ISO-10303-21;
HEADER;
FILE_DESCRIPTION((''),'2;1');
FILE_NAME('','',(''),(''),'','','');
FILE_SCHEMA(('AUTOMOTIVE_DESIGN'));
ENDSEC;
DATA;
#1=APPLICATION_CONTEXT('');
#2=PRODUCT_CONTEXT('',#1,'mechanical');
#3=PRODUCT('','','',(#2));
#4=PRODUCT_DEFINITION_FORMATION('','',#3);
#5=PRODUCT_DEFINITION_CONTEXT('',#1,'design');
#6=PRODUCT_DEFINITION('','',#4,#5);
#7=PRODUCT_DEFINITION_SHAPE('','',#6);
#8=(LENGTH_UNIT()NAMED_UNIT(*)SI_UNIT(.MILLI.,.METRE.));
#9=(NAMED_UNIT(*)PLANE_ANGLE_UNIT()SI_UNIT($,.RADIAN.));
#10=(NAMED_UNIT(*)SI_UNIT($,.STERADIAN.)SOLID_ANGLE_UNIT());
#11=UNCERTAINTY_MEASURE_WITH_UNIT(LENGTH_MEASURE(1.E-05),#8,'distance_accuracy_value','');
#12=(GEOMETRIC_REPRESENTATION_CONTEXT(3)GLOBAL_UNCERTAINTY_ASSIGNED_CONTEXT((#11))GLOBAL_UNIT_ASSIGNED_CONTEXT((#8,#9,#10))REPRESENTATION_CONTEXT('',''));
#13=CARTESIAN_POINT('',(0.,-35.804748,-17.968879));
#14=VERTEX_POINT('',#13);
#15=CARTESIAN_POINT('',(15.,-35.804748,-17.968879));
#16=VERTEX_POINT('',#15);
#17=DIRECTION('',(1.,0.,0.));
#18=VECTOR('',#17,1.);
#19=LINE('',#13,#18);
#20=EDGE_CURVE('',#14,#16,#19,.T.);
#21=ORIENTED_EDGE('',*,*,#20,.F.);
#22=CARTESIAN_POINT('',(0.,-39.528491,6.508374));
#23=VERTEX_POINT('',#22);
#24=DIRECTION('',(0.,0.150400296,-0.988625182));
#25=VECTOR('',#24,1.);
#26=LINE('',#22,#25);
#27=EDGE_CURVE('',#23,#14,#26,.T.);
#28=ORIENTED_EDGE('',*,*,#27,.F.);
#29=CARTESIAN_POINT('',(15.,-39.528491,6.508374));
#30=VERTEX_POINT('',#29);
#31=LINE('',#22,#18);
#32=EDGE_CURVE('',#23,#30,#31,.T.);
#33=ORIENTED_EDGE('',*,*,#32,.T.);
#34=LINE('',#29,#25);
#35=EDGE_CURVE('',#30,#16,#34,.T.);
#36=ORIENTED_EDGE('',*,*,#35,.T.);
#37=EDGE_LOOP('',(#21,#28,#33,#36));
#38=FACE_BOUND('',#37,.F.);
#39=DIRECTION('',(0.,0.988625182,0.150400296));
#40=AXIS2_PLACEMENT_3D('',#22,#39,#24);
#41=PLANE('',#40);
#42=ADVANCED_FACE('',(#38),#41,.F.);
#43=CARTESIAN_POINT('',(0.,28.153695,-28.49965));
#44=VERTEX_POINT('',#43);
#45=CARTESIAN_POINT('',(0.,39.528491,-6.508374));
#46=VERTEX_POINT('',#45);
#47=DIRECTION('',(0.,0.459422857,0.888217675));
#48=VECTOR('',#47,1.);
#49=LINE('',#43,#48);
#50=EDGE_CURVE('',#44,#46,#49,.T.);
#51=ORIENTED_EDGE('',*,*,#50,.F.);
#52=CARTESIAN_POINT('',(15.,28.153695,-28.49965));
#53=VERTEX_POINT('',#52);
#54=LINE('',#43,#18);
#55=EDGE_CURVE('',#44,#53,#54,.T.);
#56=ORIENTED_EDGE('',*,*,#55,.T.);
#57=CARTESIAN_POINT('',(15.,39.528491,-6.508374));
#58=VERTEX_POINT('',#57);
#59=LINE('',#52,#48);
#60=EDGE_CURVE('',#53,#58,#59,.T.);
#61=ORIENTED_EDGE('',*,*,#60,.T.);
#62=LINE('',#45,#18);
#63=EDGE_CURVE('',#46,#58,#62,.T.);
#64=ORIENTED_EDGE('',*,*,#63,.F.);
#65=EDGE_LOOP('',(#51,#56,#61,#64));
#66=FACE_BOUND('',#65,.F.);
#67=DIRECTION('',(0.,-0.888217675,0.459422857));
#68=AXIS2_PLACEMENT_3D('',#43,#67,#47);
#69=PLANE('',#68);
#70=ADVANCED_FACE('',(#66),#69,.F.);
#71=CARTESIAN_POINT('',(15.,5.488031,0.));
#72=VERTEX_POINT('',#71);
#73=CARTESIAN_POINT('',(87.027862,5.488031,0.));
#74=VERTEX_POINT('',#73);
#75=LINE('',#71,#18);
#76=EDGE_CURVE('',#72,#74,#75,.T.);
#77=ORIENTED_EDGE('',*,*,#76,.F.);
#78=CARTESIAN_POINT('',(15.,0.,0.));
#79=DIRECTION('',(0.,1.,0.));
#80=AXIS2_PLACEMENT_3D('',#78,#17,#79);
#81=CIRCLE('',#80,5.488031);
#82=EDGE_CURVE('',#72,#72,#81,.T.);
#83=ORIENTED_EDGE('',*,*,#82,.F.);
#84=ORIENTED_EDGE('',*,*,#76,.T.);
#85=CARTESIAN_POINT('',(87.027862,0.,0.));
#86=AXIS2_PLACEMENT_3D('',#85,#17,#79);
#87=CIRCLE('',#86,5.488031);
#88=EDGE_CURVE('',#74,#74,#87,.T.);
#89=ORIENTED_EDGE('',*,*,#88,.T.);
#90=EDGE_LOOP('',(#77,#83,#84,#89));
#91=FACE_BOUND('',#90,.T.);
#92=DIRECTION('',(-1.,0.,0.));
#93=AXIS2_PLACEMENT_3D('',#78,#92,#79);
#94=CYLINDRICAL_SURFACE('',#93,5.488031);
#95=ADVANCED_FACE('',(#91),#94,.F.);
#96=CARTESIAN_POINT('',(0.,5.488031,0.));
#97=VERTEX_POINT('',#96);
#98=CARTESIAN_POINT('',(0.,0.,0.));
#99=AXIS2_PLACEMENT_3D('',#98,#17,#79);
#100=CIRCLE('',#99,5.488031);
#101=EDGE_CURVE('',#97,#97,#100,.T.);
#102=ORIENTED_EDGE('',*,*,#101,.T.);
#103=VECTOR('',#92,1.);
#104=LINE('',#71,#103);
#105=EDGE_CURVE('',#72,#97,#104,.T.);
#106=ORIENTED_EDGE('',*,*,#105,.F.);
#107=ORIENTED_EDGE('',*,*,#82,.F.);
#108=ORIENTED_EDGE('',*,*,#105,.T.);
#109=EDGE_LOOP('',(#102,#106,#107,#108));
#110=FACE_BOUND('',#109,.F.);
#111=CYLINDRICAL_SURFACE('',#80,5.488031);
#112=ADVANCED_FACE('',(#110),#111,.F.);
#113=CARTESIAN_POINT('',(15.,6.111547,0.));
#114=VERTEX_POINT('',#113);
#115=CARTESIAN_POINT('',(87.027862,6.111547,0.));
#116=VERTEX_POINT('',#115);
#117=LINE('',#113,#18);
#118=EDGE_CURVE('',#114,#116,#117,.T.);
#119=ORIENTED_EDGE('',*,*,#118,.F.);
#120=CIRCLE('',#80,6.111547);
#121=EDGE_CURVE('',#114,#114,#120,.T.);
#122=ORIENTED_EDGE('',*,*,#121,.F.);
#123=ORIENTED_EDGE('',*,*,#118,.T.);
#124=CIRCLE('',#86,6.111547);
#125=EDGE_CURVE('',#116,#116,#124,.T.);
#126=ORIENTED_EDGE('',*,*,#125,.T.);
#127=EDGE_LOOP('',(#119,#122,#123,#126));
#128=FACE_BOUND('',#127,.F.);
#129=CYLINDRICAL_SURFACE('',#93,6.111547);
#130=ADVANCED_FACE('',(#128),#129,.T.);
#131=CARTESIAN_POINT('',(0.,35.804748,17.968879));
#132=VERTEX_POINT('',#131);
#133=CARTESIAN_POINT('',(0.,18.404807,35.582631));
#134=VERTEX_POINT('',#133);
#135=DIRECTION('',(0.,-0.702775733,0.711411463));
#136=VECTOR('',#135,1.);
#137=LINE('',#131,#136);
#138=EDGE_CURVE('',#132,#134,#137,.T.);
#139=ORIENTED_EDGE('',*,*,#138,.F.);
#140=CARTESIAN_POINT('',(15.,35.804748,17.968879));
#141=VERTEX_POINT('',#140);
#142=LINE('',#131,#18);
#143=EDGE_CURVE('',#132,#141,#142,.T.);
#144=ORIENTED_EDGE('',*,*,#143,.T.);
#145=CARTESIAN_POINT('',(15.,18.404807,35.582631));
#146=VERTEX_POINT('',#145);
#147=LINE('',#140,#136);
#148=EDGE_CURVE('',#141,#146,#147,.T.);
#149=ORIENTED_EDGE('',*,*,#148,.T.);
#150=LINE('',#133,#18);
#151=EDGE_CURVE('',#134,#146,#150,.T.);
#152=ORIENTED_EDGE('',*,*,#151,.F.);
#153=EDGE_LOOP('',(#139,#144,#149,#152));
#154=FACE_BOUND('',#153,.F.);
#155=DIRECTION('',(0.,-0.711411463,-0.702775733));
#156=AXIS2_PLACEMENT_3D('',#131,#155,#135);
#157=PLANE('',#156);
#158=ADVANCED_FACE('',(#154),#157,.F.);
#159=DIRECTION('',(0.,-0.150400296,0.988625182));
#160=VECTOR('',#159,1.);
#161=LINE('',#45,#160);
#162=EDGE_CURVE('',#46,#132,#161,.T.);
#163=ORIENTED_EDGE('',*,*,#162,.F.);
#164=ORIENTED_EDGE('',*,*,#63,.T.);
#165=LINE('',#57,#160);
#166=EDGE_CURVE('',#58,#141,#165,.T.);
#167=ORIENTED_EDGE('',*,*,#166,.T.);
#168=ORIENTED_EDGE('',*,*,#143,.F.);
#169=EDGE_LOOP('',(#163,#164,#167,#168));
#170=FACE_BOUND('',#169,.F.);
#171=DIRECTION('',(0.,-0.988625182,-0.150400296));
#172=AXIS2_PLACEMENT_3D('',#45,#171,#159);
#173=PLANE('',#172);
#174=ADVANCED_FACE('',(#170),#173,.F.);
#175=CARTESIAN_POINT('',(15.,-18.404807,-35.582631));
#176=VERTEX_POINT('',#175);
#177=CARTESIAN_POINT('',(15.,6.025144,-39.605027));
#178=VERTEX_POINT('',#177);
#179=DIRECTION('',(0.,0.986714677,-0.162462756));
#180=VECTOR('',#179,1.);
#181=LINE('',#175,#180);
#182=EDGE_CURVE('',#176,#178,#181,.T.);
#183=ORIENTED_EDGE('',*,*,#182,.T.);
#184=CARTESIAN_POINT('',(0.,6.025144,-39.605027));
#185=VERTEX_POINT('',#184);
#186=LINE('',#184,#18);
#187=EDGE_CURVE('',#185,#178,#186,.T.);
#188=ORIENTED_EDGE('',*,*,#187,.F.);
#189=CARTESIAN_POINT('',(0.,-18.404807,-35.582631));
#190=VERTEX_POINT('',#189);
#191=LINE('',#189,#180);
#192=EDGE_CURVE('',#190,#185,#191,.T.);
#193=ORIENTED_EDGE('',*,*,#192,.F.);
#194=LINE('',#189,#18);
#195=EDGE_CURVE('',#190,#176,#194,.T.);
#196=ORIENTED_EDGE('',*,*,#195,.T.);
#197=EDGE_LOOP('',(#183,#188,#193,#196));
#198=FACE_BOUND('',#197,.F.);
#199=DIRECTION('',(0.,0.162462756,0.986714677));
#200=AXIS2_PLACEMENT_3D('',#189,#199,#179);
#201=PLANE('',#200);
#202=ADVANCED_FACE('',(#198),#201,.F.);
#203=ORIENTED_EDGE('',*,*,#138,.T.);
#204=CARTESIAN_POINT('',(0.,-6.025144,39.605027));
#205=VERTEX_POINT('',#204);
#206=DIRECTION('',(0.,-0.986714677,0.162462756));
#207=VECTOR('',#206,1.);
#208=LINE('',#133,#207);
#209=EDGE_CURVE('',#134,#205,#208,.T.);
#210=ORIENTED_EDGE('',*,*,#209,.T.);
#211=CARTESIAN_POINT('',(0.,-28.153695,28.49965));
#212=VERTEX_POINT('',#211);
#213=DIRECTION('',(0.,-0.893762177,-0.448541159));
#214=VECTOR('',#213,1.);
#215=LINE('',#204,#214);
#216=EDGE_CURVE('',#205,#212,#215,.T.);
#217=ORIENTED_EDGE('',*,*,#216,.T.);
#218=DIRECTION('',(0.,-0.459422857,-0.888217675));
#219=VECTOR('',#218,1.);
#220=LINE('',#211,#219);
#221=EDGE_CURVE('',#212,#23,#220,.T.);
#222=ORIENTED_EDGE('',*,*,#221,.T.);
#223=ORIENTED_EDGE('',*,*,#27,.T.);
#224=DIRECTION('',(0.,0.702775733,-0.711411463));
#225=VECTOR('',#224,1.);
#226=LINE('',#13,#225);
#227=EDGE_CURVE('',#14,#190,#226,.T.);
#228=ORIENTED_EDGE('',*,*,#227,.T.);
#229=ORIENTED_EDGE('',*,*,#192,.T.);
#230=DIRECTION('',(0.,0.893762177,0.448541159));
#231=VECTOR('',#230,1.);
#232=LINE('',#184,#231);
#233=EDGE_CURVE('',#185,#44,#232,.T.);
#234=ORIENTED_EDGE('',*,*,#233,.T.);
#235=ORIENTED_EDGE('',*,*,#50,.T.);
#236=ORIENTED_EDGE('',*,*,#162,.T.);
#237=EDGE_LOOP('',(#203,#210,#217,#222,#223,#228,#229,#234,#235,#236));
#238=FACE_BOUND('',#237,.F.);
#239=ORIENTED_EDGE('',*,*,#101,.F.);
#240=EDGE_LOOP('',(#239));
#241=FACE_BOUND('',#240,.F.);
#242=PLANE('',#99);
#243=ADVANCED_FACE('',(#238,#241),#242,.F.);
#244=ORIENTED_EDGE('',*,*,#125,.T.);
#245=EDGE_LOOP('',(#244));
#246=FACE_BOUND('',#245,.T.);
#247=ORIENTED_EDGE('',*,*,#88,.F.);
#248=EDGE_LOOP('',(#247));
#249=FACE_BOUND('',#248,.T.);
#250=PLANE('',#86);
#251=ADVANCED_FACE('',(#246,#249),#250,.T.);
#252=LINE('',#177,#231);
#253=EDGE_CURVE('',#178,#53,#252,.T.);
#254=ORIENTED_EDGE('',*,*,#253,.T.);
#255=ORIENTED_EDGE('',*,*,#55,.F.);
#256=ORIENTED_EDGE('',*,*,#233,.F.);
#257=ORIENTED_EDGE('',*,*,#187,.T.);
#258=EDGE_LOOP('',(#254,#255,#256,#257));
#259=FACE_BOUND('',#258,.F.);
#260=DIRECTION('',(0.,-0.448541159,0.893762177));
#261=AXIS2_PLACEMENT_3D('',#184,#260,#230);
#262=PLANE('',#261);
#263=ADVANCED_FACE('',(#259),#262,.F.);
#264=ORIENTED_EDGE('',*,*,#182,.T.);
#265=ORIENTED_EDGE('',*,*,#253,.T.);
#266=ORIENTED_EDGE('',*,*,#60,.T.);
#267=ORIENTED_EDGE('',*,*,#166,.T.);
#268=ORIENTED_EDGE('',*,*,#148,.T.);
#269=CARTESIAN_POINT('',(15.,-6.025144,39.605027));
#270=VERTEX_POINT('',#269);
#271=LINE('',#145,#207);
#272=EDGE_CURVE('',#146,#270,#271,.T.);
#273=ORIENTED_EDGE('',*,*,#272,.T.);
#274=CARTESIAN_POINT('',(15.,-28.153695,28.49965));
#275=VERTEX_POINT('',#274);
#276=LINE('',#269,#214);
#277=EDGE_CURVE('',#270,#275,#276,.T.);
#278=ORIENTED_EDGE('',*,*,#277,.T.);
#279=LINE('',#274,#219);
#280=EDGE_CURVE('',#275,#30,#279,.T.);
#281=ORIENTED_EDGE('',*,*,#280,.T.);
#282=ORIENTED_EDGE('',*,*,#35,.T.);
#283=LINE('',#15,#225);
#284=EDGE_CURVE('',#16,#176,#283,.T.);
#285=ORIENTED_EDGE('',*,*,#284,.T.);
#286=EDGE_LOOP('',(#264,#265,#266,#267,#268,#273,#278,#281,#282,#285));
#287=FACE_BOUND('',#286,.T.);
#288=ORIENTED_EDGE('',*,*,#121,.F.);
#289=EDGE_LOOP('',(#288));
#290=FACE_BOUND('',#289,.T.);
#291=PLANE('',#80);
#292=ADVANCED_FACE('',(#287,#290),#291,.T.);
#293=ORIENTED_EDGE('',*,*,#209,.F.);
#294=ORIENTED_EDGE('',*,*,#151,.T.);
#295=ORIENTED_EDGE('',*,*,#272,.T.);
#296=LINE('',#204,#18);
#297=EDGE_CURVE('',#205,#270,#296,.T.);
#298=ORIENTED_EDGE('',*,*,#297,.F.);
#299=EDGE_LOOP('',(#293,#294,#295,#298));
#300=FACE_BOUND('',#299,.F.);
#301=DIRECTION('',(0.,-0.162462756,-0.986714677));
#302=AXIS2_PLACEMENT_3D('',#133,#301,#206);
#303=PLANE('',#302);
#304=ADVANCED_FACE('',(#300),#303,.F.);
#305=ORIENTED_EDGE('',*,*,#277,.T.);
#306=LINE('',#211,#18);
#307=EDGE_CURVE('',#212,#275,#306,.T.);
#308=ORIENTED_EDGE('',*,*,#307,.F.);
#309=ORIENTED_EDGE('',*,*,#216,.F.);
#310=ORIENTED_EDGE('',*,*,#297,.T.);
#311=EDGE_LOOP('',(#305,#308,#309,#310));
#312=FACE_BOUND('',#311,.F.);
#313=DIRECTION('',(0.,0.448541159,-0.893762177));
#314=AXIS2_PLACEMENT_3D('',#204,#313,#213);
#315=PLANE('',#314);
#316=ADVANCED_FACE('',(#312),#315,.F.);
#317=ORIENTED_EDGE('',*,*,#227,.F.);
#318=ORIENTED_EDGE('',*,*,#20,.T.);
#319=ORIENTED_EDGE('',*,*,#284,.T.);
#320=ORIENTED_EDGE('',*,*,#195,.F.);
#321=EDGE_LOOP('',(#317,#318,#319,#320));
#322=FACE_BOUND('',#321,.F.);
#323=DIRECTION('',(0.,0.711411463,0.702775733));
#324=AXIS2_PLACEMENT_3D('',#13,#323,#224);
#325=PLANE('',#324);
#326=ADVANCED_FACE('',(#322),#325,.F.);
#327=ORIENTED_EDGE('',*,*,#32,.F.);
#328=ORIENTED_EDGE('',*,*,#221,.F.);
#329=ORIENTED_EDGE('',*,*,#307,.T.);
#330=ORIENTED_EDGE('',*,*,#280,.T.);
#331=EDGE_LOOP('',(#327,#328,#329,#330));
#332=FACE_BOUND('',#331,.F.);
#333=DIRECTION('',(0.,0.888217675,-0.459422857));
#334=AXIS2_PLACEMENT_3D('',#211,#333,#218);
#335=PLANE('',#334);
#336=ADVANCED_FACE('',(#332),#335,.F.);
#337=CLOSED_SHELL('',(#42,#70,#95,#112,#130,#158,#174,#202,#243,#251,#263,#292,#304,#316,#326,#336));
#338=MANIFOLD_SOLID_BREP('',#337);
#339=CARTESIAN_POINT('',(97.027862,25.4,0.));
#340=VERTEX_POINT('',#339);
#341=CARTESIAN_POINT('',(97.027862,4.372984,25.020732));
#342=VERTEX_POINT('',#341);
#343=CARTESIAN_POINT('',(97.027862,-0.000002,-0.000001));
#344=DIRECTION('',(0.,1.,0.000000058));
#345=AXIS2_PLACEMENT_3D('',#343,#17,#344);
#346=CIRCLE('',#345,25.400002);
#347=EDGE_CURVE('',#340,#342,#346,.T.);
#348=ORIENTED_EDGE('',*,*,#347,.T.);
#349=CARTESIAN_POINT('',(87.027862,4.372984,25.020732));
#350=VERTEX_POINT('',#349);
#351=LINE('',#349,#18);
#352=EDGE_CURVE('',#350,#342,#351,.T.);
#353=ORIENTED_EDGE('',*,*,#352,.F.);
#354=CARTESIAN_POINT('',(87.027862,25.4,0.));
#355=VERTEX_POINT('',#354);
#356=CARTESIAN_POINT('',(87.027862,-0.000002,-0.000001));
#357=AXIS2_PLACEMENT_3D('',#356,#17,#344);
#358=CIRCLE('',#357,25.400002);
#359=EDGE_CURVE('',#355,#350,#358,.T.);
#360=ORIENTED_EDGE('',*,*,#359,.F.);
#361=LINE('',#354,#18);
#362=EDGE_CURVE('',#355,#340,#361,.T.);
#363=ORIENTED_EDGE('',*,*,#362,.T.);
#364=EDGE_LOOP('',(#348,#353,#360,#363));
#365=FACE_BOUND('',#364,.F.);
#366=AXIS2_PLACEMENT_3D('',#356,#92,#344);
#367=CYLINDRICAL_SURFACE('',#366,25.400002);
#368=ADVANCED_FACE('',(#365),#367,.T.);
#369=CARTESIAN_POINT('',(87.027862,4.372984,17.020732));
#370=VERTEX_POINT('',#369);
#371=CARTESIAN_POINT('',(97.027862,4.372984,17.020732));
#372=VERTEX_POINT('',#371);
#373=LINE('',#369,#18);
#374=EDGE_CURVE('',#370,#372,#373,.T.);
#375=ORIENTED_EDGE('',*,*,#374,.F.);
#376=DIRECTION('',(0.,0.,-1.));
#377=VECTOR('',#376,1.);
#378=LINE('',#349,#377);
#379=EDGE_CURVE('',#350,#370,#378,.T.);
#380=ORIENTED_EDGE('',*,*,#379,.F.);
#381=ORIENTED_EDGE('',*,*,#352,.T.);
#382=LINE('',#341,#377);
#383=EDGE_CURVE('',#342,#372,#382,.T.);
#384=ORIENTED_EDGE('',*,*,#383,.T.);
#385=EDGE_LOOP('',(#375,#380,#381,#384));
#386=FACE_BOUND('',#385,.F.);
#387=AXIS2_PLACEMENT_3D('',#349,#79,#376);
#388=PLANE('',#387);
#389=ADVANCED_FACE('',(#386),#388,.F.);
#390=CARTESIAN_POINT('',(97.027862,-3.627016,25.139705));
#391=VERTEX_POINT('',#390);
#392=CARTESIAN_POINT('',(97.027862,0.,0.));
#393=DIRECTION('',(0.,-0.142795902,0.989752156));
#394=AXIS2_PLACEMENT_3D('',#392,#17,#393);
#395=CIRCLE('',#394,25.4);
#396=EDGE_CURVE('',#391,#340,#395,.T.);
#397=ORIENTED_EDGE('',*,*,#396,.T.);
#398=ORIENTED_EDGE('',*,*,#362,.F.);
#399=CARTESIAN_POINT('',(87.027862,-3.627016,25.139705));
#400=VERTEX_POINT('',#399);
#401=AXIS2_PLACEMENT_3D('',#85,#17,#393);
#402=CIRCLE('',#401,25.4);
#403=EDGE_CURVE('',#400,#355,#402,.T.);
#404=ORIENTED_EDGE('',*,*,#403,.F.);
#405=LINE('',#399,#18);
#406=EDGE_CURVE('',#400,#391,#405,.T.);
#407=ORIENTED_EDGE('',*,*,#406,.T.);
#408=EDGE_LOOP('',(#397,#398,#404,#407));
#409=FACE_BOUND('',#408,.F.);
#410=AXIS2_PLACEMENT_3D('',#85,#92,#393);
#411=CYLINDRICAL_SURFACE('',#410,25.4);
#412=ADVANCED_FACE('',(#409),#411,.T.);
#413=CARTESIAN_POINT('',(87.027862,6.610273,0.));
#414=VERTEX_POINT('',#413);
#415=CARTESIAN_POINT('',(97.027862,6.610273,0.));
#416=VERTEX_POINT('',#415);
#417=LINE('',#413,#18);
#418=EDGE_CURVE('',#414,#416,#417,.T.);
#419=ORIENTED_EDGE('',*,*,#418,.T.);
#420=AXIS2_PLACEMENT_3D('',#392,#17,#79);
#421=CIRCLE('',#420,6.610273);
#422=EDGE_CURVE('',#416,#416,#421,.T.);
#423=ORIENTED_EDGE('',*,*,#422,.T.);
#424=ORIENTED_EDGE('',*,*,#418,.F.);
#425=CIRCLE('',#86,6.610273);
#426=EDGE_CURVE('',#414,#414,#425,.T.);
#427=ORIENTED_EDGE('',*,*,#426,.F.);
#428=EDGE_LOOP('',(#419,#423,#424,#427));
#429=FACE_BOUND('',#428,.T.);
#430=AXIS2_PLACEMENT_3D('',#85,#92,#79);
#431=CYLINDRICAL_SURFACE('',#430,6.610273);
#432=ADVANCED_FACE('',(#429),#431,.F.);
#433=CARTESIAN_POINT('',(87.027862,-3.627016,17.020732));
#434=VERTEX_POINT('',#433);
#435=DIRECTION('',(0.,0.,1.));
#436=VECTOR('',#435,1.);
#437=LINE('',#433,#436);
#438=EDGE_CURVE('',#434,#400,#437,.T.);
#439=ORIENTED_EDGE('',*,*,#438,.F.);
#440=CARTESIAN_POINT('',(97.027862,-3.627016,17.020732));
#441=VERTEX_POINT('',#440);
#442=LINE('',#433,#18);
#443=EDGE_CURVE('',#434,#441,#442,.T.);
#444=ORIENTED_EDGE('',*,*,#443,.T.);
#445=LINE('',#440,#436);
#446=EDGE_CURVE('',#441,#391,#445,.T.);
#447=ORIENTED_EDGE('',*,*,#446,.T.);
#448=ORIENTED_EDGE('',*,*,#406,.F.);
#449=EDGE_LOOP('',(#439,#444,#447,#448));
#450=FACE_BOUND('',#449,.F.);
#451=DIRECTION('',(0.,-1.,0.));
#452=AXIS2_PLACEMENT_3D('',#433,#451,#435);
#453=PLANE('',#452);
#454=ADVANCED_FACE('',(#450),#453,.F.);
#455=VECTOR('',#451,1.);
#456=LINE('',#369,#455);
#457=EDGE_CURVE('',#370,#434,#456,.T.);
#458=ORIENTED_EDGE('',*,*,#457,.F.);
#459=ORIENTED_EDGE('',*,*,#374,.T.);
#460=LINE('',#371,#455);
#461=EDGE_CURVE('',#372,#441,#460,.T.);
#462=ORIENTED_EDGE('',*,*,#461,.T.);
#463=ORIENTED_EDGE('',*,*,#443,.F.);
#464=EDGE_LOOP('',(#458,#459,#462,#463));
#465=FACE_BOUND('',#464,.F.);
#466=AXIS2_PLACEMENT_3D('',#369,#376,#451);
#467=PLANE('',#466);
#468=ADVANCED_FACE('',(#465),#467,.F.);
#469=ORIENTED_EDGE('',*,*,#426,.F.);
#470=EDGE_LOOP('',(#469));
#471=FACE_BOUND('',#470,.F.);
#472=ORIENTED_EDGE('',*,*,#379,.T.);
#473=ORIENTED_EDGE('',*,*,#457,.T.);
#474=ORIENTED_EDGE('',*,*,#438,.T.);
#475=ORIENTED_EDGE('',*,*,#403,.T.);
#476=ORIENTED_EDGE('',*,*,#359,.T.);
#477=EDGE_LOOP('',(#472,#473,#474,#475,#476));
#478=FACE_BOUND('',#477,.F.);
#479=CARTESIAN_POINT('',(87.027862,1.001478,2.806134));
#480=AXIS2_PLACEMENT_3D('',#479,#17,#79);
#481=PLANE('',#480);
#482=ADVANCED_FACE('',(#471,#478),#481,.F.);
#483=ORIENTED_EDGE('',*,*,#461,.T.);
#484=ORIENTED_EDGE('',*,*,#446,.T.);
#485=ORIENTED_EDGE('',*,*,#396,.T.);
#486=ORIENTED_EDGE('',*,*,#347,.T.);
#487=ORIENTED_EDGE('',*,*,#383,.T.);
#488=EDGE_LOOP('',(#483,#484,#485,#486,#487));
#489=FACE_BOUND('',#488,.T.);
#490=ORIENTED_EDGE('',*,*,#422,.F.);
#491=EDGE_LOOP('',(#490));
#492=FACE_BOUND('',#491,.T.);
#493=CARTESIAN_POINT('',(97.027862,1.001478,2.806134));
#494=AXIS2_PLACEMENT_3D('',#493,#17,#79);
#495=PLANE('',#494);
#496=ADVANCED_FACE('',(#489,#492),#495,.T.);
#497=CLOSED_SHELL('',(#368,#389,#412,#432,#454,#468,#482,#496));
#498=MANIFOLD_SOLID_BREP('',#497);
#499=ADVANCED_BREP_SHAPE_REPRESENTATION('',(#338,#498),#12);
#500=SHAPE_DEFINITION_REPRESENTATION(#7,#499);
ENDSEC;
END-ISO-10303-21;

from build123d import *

# Parameters (mm, degrees)
F1_DEPTH = 15
F2_R     = 5.488031
F3_DEPTH = 25.4
F2_R_2   = 6.111547
F4_DEPTH = 72.027862
F5_R     = 8.188497
F5_R_2   = 6.600496
F6_DEPTH = 10
F8_R     = 6.610273
F9_DEPTH = 10


with BuildPart() as f1:
    # F0 (on Right) → F1 (new body)
    with BuildSketch(Plane.YZ):
        Polygon((28.153695, -28.49965), (39.528491, -6.508374), (35.804748, 17.968879), (18.404807, 35.582631), (-6.025144, 39.605027), (-28.153695, 28.49965), (-39.528491, 6.508374), (-35.804748, -17.968879), (-18.404807, -35.582631), (6.025144, -39.605027), align=None)
    extrude(amount=F1_DEPTH)

    # F2 (on face) → F3 (cut)
    with BuildSketch(Plane.YZ.offset(15)):
        Circle(F2_R)
    extrude(amount=-F3_DEPTH, mode=Mode.SUBTRACT)

    # F2 (on face) → F4 (join)
    with BuildSketch(Plane.YZ.offset(15)):
        Circle(F2_R_2)
        Circle(F2_R, mode=Mode.SUBTRACT)
    extrude(amount=F4_DEPTH)


with BuildPart() as f6:
    # F5 (on face) → F6 (new body)
    with BuildSketch(Plane.YZ.offset(87.027862)):
        Circle(F5_R)
        Circle(F5_R_2, mode=Mode.SUBTRACT)
    extrude(amount=F6_DEPTH)


with BuildPart() as f9:
    # F8 (on face) → F9 (new body)
    with BuildSketch(Plane.YZ.offset(87.027862)):
        with BuildLine():
            ThreePointArc((-3.627016, 25.139705), (-16.628797, -19.200081), (25.4, 0))
            ThreePointArc((25.4, 0), (19.445228, 16.341453), (4.372984, 25.020732))
            Line((4.372984, 25.020732), (4.372984, 17.020732))
            Line((4.372984, 17.020732), (-3.627016, 17.020732))
            Line((-3.627016, 17.020732), (-3.627016, 25.139705))
        make_face()
        Circle(F8_R, mode=Mode.SUBTRACT)
    extrude(amount=F9_DEPTH)


solid = Compound([f1.part, f9.part])
